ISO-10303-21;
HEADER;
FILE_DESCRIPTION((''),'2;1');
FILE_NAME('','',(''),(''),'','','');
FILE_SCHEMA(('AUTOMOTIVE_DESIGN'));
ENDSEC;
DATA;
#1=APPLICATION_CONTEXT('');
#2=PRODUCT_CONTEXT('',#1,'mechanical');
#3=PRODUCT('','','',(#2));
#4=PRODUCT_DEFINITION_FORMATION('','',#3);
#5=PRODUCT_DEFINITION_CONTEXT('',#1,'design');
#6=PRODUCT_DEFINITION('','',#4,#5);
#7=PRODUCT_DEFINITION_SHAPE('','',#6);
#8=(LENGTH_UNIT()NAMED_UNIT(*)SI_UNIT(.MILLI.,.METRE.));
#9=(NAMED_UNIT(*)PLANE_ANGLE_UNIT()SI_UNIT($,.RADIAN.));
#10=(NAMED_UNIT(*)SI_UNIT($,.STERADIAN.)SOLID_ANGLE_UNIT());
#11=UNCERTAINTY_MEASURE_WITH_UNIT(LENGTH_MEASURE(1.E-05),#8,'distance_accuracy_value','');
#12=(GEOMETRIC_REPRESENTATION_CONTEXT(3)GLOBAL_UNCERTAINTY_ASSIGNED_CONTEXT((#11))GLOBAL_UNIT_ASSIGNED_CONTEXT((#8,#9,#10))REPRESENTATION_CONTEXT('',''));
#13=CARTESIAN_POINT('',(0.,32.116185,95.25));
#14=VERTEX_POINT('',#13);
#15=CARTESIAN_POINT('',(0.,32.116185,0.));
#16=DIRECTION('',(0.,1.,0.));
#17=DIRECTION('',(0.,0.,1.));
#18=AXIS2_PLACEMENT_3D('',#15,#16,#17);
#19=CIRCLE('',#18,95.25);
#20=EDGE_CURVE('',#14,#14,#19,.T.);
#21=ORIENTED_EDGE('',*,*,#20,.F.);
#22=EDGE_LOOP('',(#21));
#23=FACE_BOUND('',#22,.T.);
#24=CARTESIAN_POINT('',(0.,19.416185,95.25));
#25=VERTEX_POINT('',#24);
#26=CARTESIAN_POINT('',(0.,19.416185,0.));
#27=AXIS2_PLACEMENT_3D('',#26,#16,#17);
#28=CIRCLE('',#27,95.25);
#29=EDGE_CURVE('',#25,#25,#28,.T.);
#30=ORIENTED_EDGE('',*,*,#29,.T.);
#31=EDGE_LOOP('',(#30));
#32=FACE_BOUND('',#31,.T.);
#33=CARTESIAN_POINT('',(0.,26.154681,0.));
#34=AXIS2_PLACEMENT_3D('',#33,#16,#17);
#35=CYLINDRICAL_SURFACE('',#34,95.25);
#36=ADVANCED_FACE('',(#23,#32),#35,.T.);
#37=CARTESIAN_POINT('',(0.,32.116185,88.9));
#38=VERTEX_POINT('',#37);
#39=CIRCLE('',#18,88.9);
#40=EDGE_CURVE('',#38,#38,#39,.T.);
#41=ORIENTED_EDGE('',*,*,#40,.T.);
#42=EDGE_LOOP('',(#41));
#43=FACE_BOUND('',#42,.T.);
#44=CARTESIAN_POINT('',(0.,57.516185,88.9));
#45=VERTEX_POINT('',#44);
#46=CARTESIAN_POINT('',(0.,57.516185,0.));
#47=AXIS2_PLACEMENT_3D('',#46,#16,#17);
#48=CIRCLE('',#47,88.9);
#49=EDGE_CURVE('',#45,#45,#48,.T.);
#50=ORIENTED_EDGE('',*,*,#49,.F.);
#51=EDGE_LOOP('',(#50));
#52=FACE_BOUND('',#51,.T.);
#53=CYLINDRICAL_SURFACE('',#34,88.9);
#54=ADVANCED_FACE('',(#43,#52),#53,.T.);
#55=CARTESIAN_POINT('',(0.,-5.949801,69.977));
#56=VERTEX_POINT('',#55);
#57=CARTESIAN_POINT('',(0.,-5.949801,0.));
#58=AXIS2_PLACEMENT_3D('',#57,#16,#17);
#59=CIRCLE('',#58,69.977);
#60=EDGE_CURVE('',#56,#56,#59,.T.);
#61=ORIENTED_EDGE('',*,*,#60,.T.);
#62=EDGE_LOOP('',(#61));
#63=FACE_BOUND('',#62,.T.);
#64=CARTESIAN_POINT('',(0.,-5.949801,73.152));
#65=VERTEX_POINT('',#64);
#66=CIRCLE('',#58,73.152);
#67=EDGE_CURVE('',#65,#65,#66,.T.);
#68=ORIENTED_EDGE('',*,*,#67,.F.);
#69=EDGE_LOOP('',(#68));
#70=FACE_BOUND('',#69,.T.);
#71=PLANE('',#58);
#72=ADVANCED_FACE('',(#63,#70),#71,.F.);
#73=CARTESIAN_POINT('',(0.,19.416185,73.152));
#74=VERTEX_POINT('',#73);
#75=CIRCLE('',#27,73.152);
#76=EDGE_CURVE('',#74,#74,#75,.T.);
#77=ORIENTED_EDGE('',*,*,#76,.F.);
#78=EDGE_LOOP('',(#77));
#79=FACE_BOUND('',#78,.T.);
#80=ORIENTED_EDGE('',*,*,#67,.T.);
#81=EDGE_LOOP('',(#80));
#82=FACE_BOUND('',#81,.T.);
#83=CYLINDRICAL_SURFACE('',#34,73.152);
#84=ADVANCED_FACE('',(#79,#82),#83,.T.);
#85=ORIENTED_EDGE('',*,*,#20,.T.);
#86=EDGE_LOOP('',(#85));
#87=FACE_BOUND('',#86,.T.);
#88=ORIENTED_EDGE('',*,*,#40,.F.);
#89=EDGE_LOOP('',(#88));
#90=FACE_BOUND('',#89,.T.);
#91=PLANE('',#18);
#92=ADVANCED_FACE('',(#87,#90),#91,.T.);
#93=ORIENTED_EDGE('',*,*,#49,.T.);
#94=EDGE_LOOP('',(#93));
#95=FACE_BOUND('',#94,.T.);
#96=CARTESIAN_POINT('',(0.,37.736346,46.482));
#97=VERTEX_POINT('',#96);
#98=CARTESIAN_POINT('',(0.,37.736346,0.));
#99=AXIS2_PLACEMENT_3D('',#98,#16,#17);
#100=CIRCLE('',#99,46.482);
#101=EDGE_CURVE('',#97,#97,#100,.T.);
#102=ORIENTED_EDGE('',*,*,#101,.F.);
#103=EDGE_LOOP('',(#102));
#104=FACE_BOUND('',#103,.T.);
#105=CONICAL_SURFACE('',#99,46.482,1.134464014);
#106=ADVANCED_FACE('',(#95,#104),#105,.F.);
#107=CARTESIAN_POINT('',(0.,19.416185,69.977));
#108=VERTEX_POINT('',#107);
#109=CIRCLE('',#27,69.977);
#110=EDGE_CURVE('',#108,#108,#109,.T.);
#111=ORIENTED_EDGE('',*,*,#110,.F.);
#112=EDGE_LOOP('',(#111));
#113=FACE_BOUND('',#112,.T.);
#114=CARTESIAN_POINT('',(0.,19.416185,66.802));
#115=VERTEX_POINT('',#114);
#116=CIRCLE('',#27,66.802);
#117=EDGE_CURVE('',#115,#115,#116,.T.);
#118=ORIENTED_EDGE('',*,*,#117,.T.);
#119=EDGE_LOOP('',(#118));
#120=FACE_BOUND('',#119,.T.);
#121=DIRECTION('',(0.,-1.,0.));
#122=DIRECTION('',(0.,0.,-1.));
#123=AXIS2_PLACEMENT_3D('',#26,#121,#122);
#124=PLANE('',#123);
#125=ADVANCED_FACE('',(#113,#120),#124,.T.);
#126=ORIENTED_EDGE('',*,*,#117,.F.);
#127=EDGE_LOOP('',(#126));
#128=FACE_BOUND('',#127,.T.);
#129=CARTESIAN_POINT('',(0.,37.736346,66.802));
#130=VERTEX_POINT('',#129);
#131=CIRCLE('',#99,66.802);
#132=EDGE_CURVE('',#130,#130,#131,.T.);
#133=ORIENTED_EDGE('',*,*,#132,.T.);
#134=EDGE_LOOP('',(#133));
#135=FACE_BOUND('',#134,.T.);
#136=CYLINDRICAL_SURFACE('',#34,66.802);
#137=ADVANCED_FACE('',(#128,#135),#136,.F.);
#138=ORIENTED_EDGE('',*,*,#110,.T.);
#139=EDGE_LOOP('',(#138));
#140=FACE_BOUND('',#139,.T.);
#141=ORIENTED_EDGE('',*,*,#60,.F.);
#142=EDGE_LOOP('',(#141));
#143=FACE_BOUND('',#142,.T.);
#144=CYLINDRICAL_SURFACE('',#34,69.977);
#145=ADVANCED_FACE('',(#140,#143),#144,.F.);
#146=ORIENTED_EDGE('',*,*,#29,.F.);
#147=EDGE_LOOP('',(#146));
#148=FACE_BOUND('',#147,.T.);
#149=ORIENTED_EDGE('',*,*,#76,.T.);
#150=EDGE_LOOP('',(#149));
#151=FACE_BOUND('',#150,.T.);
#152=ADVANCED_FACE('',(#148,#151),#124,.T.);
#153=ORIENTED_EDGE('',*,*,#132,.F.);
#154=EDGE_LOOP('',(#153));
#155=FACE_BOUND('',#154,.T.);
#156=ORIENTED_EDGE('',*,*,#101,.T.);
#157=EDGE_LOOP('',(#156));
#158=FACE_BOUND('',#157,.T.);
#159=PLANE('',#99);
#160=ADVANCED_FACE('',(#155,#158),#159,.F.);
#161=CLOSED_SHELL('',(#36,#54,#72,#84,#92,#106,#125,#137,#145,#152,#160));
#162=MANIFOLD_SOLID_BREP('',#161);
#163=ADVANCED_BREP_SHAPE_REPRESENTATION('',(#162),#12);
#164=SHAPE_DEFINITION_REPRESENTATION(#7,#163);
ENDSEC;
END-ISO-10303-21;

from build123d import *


with BuildPart() as part:
    # Sketch2 → Revolve1 (revolve)
    with BuildSketch(Plane.XY):
        Polygon((-66.802, 37.736346318), (-46.482, 37.736346318), (-88.9, 57.516184562), (-88.9, 32.116184562), (-95.25, 32.116184562), (-95.25, 19.416184562), (-73.152, 19.416184562), (-73.152, -5.949800563), (-69.977, -5.949800563), (-69.977, 19.416184562), (-66.802, 19.416184562), align=None)
    revolve(axis=Axis((0, 26.15468076, 0), (0, -1, 0)))


solid = part.part
